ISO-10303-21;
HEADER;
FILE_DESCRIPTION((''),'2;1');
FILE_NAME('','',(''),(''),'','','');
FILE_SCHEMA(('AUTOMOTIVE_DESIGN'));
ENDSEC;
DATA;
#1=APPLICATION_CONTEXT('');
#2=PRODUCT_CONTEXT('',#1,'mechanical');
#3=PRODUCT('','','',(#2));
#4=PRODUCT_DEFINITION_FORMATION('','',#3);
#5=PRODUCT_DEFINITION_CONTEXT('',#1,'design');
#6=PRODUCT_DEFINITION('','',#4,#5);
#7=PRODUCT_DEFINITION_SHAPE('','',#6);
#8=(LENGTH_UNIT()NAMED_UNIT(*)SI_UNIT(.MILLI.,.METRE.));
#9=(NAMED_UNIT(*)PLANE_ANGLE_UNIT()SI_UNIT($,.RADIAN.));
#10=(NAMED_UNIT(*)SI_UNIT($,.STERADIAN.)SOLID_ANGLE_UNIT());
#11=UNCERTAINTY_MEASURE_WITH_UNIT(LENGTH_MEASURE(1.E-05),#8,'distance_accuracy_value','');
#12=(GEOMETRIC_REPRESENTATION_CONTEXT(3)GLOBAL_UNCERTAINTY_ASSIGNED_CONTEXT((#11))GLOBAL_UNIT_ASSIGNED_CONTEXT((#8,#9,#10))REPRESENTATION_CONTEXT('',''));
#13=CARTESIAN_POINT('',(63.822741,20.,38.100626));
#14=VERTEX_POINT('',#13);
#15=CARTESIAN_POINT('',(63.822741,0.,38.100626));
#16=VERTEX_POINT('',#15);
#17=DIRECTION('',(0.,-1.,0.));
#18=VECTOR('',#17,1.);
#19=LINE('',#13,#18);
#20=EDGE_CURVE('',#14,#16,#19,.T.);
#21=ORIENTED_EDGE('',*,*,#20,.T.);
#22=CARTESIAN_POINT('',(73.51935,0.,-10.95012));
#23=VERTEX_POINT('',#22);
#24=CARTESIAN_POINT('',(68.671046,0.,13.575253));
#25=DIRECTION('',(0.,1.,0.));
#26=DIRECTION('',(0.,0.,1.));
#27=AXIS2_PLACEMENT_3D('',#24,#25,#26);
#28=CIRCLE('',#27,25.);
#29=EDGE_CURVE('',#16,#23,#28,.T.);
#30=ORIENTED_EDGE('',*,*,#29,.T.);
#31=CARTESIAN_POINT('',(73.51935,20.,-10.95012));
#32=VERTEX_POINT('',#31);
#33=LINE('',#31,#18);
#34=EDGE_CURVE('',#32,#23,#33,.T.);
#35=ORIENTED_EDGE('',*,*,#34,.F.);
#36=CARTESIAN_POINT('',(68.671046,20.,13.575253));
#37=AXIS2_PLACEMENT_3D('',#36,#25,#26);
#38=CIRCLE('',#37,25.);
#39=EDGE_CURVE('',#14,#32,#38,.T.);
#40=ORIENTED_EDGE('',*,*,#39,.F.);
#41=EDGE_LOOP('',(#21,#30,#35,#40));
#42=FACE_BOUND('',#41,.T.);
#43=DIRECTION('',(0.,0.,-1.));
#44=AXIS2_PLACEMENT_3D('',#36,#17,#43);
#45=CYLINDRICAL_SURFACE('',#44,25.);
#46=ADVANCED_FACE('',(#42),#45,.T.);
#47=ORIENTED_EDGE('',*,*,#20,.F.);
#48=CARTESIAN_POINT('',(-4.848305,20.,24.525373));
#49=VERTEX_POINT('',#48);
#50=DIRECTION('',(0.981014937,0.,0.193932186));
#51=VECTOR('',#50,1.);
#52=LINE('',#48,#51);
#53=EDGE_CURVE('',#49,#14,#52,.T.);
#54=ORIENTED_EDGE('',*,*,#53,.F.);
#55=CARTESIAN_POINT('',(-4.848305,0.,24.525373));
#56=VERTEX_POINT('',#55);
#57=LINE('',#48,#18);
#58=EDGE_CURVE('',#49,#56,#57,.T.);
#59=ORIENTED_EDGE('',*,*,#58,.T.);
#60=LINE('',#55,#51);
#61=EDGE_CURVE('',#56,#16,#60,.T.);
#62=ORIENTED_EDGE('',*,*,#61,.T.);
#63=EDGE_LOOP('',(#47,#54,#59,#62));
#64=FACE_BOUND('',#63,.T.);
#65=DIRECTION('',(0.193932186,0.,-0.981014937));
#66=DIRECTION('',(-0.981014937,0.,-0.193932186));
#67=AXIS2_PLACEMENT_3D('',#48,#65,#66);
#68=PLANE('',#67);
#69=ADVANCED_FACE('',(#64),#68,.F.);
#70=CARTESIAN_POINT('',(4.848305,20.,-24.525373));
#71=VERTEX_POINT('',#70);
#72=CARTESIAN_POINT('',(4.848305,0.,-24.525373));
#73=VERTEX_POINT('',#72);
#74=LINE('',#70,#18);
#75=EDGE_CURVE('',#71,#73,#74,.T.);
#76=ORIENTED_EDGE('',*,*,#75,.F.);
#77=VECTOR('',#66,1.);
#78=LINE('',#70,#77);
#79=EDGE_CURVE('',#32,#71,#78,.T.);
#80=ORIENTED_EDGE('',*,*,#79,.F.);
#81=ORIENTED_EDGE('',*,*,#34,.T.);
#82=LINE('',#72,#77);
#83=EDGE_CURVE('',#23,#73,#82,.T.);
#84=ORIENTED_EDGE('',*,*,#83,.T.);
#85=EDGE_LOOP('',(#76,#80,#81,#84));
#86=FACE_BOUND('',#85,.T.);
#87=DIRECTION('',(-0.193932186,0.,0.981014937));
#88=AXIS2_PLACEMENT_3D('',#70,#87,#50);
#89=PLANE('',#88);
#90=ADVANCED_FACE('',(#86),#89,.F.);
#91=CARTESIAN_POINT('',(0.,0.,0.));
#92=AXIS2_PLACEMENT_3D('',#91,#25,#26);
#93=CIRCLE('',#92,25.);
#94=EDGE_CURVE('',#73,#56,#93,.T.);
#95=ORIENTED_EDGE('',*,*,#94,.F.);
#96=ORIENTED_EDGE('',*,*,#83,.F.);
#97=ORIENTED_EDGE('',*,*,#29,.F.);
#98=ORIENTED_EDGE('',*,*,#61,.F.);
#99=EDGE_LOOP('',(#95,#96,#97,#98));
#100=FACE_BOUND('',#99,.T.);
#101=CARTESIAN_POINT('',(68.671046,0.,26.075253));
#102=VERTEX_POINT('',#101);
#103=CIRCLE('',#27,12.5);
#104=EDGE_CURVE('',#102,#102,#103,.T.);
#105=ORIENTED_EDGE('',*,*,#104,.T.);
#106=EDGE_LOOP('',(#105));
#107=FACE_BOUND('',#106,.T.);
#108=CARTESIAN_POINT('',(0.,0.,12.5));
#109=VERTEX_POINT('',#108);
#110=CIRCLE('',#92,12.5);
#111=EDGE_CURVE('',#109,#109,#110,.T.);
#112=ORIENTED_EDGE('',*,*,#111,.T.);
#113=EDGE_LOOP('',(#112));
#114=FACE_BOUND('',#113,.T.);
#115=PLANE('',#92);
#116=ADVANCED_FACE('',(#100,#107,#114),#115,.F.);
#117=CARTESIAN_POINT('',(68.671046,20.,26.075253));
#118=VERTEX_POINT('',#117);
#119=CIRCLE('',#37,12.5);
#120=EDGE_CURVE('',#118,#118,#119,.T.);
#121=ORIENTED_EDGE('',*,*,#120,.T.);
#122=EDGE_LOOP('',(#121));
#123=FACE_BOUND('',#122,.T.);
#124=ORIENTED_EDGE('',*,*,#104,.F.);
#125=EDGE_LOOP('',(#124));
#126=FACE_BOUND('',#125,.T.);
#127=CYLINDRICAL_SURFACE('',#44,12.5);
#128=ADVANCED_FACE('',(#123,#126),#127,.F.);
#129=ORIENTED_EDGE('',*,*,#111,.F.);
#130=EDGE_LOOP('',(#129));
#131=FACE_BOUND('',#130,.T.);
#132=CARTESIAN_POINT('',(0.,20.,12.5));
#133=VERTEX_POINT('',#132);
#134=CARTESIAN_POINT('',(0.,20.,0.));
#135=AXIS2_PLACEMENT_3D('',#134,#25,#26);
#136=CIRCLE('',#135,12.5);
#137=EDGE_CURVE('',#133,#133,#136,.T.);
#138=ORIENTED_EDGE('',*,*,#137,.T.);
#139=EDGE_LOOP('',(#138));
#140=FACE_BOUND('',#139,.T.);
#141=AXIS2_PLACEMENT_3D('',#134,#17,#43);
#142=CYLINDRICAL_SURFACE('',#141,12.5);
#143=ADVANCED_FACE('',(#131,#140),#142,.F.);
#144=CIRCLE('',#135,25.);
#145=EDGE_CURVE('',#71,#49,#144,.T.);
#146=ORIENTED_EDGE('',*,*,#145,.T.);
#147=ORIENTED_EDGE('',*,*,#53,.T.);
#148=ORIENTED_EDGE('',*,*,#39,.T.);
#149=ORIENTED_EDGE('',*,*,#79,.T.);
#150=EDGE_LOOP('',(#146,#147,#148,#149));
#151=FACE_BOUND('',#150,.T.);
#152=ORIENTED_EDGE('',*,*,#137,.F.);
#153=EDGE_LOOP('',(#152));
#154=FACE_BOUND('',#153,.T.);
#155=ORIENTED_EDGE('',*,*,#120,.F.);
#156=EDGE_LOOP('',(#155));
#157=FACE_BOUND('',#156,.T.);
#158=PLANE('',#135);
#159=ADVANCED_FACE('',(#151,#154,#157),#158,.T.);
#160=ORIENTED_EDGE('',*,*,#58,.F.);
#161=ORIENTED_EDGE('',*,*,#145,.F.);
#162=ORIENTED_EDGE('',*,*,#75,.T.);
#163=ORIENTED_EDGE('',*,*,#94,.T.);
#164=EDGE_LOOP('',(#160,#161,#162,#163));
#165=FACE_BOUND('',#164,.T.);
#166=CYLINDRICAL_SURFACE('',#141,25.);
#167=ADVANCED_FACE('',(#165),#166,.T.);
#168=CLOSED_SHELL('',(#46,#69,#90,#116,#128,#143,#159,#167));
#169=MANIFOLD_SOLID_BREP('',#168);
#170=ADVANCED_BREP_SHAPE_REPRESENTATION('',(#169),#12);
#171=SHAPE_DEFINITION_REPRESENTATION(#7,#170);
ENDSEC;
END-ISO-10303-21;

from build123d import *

# Parameters (mm, degrees)
CROQUIS3_R              = 12.5
SALIENTE_EXTRUIR3_DEPTH = 20


with BuildPart() as part:
    # Croquis3 → Saliente-Extruir3 (new body)
    with BuildSketch(Plane(origin=(0, 0, 0), x_dir=(1, 0, 0), z_dir=(0, 1, 0))):
        with BuildLine():
            Line((4.848304654, 24.525373432), (73.519350264, 10.950120401))
            ThreePointArc((73.519350264, 10.950120401), (93.196419042, -18.423557685), (63.822740956, -38.100626463))
            Line((63.822740956, -38.100626463), (-4.848304654, -24.525373432))
            ThreePointArc((-4.848304654, -24.525373432), (-24.525373432, 4.848304654), (4.848304654, 24.525373432))
        make_face()
        Circle(CROQUIS3_R, mode=Mode.SUBTRACT)
        with Locations((68.67104561, -13.575253031)):
            Circle(CROQUIS3_R, mode=Mode.SUBTRACT)
    extrude(amount=SALIENTE_EXTRUIR3_DEPTH)


solid = part.part
